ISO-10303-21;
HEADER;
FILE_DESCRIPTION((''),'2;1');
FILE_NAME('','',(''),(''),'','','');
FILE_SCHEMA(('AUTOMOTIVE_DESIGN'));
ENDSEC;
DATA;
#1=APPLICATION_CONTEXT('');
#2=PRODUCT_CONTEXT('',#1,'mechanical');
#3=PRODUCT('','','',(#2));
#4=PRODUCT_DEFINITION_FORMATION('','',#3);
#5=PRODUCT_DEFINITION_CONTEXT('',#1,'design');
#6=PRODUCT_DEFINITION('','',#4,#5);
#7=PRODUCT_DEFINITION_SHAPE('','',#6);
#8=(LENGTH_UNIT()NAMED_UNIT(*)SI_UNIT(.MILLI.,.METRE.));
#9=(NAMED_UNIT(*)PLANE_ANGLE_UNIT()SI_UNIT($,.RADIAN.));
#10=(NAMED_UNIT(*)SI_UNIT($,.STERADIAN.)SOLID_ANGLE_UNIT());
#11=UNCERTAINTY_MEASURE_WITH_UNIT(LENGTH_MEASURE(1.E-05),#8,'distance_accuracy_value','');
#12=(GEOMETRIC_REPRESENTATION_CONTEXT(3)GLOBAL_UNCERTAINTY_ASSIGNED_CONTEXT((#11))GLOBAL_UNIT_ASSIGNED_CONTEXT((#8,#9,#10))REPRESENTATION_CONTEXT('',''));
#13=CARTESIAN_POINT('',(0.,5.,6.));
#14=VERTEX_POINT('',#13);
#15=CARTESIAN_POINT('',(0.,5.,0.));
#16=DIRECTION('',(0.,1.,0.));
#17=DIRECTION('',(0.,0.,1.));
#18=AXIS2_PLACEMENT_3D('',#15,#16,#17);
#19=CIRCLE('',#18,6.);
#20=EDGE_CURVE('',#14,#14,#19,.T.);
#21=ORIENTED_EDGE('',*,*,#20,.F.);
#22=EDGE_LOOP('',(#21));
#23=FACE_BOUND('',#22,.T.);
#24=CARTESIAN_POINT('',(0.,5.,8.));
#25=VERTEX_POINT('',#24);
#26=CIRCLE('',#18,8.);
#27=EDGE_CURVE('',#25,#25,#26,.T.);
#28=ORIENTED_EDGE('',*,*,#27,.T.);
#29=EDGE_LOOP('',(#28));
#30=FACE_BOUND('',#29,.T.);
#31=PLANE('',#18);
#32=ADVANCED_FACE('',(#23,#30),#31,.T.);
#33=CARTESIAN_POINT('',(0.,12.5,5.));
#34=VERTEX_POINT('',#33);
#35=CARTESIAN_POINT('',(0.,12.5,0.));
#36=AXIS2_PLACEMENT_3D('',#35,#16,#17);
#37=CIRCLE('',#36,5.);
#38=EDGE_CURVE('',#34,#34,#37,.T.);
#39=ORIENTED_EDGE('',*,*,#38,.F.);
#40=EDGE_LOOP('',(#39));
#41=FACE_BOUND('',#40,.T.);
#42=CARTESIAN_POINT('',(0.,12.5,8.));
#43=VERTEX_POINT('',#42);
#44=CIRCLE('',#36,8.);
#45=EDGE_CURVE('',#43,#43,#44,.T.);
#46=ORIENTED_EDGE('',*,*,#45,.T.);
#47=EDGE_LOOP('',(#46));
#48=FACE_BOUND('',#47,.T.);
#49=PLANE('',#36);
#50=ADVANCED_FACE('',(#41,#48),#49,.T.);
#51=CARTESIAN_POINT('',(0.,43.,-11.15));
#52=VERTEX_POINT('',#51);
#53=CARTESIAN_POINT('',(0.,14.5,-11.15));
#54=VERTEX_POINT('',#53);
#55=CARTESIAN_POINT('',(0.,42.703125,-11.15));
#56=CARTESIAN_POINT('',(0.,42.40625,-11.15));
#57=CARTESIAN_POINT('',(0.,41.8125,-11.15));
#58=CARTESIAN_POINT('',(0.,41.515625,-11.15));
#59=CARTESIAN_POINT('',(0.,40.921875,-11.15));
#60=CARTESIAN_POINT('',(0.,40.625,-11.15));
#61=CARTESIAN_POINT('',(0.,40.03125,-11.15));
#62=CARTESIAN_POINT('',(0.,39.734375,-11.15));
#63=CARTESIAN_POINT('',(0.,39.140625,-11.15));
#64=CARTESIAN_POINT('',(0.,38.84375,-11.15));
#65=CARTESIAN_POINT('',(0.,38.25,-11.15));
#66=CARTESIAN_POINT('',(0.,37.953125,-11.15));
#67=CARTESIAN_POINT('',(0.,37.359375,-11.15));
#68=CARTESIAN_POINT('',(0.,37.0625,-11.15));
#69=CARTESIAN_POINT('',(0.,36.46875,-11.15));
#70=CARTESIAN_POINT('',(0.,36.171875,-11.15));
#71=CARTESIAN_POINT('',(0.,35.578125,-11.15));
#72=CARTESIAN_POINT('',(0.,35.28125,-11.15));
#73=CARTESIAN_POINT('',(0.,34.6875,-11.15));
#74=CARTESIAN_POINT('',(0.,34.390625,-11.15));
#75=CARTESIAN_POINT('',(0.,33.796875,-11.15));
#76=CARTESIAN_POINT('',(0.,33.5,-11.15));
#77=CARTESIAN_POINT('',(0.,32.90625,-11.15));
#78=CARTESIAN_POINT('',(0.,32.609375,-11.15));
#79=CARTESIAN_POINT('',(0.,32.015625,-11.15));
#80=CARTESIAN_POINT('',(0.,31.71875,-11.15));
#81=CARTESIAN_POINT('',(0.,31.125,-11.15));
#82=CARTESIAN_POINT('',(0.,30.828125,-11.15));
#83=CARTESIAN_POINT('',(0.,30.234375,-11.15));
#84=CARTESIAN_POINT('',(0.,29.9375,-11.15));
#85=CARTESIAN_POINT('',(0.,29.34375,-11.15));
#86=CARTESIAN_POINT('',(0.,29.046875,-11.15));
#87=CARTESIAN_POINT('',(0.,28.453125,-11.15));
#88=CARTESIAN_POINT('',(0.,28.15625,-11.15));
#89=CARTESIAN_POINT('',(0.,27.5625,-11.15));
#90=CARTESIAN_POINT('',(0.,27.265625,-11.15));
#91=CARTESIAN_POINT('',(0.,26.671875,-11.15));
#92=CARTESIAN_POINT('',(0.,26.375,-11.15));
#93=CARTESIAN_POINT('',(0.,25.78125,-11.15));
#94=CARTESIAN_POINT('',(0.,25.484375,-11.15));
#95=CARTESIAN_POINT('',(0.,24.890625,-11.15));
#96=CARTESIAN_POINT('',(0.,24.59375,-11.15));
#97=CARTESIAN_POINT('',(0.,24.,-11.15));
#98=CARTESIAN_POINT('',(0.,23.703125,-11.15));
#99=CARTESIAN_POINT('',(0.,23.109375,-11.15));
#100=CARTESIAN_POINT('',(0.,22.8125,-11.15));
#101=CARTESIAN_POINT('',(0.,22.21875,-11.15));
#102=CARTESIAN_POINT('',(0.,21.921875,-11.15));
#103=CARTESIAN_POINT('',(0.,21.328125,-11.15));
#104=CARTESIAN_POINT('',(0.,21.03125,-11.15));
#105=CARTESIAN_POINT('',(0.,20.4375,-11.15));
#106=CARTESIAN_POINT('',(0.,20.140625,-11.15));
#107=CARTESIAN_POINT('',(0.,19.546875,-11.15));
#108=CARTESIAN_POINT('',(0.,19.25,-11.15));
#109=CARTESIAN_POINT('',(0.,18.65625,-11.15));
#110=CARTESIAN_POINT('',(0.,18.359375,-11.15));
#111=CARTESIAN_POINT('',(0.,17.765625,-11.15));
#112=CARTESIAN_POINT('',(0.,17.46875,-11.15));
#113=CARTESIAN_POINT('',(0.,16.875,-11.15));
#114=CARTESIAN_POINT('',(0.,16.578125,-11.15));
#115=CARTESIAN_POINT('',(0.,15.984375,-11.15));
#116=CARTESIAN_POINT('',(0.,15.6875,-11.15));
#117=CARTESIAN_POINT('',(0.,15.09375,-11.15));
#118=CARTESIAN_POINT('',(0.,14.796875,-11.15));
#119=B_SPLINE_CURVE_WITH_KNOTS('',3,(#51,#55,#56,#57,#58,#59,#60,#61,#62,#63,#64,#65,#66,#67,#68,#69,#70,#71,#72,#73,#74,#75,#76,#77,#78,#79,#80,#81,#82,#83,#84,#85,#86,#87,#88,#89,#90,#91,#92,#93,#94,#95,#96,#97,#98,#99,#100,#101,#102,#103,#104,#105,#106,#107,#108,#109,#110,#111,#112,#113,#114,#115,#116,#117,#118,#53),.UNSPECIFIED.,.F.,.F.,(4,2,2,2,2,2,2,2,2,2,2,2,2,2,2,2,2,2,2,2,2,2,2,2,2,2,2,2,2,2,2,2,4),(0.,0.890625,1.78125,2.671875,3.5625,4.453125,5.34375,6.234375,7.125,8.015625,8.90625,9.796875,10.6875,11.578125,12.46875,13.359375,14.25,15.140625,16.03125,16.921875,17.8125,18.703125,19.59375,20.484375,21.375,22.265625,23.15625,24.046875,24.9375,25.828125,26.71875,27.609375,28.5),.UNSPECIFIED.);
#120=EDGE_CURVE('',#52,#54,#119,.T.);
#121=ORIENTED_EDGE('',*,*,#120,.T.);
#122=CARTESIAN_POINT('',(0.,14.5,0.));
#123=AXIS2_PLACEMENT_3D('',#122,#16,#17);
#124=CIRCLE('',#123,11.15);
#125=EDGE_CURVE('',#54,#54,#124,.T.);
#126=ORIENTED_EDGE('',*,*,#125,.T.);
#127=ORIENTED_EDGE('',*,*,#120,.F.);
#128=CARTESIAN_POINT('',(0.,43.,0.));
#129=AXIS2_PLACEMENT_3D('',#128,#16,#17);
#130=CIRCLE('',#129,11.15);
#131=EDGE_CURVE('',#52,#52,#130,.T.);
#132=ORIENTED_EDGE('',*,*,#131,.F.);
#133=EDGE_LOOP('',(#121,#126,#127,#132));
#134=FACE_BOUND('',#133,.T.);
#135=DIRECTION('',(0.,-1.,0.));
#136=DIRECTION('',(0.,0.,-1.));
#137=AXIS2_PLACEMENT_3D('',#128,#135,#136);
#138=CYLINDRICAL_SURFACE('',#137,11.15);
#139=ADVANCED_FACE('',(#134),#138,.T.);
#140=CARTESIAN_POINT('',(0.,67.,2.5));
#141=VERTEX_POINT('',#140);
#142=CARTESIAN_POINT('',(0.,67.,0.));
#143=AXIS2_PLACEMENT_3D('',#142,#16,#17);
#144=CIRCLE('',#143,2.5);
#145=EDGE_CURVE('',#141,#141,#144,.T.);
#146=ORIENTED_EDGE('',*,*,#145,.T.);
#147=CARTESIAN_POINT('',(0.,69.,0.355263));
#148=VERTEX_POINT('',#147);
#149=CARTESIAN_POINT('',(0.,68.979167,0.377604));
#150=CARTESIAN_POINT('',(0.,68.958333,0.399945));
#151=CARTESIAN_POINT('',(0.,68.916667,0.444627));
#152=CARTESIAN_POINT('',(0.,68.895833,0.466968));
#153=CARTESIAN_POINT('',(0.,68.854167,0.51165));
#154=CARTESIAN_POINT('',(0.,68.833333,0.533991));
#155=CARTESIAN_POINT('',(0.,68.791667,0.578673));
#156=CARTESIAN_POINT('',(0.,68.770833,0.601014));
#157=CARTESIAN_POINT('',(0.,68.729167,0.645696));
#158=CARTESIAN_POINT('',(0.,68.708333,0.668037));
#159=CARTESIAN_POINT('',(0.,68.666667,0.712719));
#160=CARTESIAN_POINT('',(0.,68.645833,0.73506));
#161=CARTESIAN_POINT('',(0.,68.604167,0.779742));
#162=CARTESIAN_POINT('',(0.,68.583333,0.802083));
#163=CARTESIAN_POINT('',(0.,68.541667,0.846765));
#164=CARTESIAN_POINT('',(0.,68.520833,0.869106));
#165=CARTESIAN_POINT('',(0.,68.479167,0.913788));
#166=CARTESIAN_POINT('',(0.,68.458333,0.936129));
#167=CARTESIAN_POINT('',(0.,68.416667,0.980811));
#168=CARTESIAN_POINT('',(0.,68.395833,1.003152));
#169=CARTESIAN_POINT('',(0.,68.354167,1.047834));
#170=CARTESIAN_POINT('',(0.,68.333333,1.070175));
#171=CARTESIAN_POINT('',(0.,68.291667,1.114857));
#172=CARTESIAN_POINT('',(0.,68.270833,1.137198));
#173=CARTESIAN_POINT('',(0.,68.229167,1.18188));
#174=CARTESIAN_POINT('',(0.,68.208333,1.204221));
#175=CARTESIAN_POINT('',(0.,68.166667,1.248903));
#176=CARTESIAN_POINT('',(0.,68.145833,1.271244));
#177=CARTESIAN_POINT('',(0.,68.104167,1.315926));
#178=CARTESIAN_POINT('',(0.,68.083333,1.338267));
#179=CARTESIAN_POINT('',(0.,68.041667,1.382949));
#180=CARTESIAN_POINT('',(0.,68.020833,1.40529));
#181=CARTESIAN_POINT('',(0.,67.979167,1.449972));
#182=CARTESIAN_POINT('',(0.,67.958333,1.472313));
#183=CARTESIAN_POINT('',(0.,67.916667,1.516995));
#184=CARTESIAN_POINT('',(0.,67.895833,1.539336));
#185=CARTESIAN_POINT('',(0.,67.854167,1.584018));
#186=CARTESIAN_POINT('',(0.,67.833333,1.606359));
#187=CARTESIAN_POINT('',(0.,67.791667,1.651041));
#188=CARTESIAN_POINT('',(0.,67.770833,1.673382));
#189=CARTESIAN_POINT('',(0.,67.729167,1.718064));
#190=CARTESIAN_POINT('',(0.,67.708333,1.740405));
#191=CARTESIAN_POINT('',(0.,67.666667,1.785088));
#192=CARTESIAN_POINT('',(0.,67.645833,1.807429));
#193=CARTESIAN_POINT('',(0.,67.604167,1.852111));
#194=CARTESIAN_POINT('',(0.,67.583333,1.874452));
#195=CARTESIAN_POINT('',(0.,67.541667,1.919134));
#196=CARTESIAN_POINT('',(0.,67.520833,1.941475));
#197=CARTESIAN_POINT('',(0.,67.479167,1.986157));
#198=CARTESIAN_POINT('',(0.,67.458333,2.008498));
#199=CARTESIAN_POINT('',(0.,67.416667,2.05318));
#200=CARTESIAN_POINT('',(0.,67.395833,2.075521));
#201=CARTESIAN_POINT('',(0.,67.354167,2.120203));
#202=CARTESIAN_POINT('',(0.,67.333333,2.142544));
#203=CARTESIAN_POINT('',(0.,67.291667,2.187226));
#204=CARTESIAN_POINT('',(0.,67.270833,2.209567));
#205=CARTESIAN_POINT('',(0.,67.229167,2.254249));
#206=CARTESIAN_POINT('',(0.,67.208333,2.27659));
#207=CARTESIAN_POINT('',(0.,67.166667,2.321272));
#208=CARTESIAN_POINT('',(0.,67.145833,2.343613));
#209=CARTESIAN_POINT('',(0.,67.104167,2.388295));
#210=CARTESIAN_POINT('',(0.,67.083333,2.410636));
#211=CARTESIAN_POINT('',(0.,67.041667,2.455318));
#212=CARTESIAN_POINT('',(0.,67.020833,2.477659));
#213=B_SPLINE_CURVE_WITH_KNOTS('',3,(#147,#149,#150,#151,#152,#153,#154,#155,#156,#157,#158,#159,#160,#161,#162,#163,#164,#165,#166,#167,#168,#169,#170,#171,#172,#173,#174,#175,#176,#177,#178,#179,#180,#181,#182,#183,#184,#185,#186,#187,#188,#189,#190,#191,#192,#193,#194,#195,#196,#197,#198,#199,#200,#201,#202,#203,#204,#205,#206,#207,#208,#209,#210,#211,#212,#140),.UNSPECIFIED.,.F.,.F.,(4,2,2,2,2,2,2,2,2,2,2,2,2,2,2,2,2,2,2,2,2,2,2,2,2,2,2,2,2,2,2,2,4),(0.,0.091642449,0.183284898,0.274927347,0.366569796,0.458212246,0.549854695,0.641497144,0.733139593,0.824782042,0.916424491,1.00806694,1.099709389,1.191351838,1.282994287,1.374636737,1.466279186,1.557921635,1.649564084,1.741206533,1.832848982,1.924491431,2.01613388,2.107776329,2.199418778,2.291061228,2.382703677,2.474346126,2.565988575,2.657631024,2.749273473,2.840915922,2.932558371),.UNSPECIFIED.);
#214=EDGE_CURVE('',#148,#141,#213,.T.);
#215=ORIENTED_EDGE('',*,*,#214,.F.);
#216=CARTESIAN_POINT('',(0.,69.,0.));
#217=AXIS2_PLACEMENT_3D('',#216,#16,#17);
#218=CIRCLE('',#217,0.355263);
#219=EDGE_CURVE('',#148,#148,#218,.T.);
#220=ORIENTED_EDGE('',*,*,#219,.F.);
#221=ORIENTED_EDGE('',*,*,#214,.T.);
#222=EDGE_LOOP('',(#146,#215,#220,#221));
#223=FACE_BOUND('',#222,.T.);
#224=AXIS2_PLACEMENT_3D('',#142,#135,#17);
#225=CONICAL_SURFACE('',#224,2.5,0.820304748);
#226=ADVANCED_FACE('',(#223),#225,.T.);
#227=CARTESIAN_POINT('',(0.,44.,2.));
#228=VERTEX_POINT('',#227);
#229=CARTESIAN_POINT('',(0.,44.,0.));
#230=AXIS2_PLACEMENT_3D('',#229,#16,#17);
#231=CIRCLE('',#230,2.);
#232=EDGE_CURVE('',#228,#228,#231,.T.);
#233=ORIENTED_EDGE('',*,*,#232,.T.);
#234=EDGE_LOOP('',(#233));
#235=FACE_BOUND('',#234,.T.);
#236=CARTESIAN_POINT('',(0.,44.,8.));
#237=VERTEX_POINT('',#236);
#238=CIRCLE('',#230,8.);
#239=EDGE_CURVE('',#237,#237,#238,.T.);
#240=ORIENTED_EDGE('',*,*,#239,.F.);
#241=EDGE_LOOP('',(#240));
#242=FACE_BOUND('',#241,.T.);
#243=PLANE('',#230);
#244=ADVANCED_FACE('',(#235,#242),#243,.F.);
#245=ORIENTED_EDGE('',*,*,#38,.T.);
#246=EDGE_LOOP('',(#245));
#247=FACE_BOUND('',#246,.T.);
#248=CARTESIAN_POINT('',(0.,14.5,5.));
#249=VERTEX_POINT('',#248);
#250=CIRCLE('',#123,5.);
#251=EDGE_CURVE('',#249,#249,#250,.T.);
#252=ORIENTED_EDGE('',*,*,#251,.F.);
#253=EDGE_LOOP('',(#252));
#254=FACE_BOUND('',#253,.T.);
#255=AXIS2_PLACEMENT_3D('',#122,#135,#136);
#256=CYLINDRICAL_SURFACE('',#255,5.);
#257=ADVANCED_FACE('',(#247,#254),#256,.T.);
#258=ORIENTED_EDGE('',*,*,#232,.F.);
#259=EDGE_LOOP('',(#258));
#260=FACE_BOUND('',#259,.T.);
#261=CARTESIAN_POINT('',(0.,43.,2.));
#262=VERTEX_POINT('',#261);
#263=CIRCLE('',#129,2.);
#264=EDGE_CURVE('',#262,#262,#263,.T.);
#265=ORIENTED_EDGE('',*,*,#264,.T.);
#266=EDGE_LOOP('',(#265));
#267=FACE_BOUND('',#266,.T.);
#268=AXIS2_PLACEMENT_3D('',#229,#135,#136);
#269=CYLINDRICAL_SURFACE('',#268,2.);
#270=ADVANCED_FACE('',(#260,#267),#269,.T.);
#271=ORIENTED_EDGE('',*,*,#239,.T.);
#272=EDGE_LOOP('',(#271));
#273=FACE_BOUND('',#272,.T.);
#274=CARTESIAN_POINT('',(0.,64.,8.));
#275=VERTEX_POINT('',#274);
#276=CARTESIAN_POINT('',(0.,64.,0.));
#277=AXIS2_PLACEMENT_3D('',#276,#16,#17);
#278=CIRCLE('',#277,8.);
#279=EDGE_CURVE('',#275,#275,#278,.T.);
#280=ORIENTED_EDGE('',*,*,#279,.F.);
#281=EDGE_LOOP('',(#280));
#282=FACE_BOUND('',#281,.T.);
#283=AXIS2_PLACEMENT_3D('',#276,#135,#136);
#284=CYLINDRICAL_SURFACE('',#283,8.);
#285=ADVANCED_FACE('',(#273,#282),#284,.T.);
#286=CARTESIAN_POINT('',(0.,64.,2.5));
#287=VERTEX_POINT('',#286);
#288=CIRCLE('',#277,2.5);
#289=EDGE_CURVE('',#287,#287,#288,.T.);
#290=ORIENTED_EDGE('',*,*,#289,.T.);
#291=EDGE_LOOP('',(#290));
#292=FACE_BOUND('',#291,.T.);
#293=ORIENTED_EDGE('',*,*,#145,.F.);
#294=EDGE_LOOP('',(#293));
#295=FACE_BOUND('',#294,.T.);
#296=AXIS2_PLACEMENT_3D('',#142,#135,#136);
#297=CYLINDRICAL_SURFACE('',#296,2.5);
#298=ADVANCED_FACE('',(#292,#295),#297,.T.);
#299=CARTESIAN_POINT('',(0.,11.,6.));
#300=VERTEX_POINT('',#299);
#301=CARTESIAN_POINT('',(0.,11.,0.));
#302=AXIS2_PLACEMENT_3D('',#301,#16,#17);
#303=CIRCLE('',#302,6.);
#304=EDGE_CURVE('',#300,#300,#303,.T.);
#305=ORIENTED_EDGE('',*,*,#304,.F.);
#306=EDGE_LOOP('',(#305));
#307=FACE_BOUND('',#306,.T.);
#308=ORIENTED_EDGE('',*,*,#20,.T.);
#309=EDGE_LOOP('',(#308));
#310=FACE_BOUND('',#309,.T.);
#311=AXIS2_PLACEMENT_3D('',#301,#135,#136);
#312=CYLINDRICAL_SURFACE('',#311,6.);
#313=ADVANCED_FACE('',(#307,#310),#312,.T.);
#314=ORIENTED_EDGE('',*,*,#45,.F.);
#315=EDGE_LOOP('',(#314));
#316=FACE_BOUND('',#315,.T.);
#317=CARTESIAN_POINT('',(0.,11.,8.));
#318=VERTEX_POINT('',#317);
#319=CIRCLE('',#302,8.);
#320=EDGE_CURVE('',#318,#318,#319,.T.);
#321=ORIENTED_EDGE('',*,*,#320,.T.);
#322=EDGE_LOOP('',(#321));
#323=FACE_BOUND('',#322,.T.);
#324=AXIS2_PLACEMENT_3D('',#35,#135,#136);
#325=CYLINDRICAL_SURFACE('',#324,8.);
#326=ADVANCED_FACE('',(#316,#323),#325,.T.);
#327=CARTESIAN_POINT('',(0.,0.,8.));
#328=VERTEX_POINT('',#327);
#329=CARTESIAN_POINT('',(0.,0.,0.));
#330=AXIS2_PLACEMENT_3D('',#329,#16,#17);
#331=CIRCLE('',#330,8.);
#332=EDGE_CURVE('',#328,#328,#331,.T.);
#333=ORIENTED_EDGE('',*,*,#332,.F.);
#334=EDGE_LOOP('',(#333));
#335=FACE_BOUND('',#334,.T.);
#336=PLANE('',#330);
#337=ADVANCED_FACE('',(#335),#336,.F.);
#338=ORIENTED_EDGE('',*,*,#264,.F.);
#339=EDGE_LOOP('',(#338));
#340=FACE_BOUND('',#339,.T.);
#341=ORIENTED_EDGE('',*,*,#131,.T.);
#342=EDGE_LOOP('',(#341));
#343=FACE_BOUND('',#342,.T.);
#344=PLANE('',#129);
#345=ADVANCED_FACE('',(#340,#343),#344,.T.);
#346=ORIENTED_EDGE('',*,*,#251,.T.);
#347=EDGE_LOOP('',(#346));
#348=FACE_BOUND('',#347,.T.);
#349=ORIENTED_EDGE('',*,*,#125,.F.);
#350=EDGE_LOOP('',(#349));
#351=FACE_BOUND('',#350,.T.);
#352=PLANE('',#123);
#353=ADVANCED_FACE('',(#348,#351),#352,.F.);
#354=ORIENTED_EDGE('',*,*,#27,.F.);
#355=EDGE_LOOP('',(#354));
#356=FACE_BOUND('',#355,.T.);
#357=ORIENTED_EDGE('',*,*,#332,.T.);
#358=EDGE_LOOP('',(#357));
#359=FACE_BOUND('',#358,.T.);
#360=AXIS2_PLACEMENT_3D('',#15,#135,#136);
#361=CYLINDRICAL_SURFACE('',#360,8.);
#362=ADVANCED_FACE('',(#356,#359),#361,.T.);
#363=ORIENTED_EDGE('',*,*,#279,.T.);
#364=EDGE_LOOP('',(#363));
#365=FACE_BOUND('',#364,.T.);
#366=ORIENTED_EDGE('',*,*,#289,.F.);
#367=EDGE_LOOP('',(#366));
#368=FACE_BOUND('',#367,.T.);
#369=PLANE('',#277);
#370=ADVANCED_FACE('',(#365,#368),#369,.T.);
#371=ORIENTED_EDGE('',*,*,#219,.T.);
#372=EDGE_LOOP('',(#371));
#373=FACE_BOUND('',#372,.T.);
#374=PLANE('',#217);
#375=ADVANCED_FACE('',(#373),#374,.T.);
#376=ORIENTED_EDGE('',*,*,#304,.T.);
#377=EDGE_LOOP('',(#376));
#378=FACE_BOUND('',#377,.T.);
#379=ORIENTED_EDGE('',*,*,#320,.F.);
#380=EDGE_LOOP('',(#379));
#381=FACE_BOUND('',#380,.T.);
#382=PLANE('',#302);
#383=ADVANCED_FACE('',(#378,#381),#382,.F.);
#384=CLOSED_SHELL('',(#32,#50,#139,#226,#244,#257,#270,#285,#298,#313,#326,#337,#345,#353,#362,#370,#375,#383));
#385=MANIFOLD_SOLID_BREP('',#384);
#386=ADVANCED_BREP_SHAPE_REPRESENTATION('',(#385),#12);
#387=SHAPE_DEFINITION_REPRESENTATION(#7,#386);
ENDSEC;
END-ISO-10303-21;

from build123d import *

# Parameters (mm, degrees)
SKETCH1_R           = 8
BOSS_EXTRUDE1_DEPTH = 5
SKETCH2_R           = 6
BOSS_EXTRUDE2_DEPTH = 6
SKETCH3_R           = 8
BOSS_EXTRUDE3_DEPTH = 1.5
SKETCH4_R           = 5
BOSS_EXTRUDE4_DEPTH = 2
SKETCH5_R           = 11.15
BOSS_EXTRUDE5_DEPTH = 28.5
SKETCH6_R           = 2
BOSS_EXTRUDE6_DEPTH = 1
SKETCH7_R           = 8
BOSS_EXTRUDE7_DEPTH = 20
SKETCH8_R           = 2.5
BOSS_EXTRUDE8_DEPTH = 3
SKETCH9_R           = 2.5
BOSS_EXTRUDE9_DEPTH = 2
BOSS_EXTRUDE9_TAPER = 47


with BuildPart() as part:
    # Sketch1 → Boss-Extrude1 (new body)
    with BuildSketch(Plane(origin=(0, 0, 0), x_dir=(1, 0, 0), z_dir=(0, 1, 0))):
        with Locations(Location((0, 0, 0), (0, 0, 270))):
            Circle(SKETCH1_R)
    extrude(amount=BOSS_EXTRUDE1_DEPTH)

    # Sketch2 → Boss-Extrude2 (add)
    with BuildSketch(Plane(origin=(0, 5, 0), x_dir=(1, 0, 0), z_dir=(0, 1, 0))):
        with Locations(Location((0, 0, 0), (0, 0, 270))):
            Circle(SKETCH2_R)
    extrude(amount=BOSS_EXTRUDE2_DEPTH)

    # Sketch3 → Boss-Extrude3 (add)
    with BuildSketch(Plane(origin=(0, 11, 0), x_dir=(1, 0, 0), z_dir=(0, 1, 0))):
        with Locations(Location((0, 0, 0), (0, 0, 270))):
            Circle(SKETCH3_R)
    extrude(amount=BOSS_EXTRUDE3_DEPTH)

    # Sketch4 → Boss-Extrude4 (add)
    with BuildSketch(Plane(origin=(0, 12.5, 0), x_dir=(1, 0, 0), z_dir=(0, 1, 0))):
        with Locations(Location((0, 0, 0), (0, 0, 270))):
            Circle(SKETCH4_R)
    extrude(amount=BOSS_EXTRUDE4_DEPTH)

    # Sketch5 → Boss-Extrude5 (add)
    with BuildSketch(Plane(origin=(0, 14.5, 0), x_dir=(1, 0, 0), z_dir=(0, 1, 0))):
        with Locations(Location((0, 0, 0), (0, 0, 90))):
            Circle(SKETCH5_R)
    extrude(amount=BOSS_EXTRUDE5_DEPTH)

    # Sketch6 → Boss-Extrude6 (add)
    with BuildSketch(Plane(origin=(0, 43, 0), x_dir=(1, 0, 0), z_dir=(0, 1, 0))):
        with Locations(Location((0, 0, 0), (0, 0, 270))):
            Circle(SKETCH6_R)
    extrude(amount=BOSS_EXTRUDE6_DEPTH)

    # Sketch7 → Boss-Extrude7 (add)
    with BuildSketch(Plane(origin=(0, 44, 0), x_dir=(1, 0, 0), z_dir=(0, 1, 0))):
        with Locations(Location((0, 0, 0), (0, 0, 270))):
            Circle(SKETCH7_R)
    extrude(amount=BOSS_EXTRUDE7_DEPTH)

    # Sketch8 → Boss-Extrude8 (add)
    with BuildSketch(Plane(origin=(0, 64, 0), x_dir=(1, 0, 0), z_dir=(0, 1, 0))):
        with Locations(Location((0, 0, 0), (0, 0, 270))):
            Circle(SKETCH8_R)
    extrude(amount=BOSS_EXTRUDE8_DEPTH)

    # Sketch9 → Boss-Extrude9 (add)
    with BuildSketch(Plane(origin=(0, 67, 0), x_dir=(1, 0, 0), z_dir=(0, 1, 0))):
        with Locations(Location((0, 0, 0), (0, 0, 270))):
            Circle(SKETCH9_R)
    extrude(amount=BOSS_EXTRUDE9_DEPTH, taper=BOSS_EXTRUDE9_TAPER)


solid = part.part
